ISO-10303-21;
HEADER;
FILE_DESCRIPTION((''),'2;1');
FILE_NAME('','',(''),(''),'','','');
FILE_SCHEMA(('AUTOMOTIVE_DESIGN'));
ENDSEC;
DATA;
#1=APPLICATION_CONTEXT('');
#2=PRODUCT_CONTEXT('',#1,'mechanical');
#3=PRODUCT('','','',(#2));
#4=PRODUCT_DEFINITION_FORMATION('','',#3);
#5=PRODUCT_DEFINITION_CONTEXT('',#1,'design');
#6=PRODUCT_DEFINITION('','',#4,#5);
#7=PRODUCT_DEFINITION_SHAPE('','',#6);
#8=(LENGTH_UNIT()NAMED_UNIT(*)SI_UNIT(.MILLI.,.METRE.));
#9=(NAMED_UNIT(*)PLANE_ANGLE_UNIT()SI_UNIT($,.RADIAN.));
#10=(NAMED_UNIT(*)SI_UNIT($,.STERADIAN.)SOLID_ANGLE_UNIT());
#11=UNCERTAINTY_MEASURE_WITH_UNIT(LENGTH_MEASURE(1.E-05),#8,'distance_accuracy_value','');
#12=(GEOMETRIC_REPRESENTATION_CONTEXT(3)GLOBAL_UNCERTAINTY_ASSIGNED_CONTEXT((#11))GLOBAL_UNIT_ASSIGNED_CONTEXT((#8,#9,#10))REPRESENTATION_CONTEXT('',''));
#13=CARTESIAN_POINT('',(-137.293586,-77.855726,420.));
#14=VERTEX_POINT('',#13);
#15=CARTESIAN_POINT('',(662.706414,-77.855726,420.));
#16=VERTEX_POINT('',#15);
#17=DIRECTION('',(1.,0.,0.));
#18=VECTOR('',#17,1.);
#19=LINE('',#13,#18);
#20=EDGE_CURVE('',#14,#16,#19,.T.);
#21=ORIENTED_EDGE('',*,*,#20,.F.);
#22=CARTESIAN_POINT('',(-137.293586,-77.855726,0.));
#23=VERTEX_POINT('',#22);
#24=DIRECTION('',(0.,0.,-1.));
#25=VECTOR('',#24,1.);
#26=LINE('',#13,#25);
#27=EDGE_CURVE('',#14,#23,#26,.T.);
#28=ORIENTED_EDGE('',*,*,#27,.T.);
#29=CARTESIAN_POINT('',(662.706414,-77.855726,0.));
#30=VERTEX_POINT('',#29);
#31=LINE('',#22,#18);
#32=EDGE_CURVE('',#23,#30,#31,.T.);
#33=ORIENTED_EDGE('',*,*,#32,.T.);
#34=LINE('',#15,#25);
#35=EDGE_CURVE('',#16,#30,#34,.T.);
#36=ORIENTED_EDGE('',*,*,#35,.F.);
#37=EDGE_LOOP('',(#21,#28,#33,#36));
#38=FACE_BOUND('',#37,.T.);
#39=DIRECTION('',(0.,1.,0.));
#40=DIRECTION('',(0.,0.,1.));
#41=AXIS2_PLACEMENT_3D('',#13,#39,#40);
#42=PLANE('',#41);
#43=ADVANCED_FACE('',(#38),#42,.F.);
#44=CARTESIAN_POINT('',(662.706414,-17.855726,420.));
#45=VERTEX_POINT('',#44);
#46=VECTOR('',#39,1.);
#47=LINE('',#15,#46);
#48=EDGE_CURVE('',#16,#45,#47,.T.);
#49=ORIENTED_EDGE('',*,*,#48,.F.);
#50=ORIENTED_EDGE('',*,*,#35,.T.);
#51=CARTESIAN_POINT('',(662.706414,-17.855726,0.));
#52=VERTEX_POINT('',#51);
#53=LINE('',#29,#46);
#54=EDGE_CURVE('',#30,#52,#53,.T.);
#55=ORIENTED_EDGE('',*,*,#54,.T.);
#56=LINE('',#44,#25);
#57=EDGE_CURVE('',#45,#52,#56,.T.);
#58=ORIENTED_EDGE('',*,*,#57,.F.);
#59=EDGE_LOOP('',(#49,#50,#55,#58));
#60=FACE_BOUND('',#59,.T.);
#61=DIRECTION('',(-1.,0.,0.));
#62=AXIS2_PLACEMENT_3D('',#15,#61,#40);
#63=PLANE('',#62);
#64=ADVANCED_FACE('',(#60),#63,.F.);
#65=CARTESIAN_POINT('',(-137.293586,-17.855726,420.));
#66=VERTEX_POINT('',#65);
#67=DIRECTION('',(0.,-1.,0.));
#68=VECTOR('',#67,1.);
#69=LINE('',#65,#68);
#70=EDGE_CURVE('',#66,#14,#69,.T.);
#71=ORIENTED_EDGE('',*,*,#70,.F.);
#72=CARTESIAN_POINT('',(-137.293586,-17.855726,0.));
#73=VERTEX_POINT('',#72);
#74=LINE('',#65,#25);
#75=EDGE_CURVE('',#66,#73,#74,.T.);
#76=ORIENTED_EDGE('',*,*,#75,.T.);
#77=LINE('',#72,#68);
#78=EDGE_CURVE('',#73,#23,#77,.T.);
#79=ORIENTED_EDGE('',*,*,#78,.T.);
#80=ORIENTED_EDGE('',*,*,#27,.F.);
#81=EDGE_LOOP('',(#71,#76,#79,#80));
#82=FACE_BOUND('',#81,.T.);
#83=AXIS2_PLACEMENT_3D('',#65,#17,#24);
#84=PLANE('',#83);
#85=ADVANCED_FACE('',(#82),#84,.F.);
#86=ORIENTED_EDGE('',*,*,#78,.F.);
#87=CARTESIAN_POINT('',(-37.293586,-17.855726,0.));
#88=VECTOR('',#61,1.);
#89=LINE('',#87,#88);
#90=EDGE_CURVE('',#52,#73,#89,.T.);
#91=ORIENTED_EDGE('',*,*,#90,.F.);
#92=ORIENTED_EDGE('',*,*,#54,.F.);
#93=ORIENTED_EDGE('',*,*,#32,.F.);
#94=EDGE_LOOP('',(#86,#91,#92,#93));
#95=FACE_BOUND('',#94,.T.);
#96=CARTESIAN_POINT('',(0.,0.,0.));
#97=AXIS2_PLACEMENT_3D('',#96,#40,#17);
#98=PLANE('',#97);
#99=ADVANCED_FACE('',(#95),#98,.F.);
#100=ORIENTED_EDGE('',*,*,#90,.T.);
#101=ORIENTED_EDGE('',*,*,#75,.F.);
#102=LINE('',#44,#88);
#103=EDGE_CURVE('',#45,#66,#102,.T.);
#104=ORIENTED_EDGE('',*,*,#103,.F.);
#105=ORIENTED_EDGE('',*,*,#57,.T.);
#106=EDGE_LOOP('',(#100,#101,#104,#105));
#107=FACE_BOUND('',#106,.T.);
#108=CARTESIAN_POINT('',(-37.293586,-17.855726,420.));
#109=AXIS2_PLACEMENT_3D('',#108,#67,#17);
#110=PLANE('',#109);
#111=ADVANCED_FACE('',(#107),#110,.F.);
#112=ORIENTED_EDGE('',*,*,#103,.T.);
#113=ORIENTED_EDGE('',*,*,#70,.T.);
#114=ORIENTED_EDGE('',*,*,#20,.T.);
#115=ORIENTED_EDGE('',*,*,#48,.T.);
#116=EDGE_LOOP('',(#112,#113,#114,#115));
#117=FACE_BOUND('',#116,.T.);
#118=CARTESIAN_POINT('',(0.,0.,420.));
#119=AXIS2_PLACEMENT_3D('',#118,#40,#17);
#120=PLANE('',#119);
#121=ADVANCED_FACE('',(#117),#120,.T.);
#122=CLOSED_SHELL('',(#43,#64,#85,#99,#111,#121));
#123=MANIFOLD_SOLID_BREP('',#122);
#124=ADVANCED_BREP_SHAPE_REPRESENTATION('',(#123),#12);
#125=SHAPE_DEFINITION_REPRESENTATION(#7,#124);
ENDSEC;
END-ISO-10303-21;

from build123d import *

# Parameters (mm, degrees)
BOSS_EXTRUDE1_DEPTH = 420


with BuildPart() as part:
    # Sketch2 → Boss-Extrude1 (new body)
    with BuildSketch(Plane.XY):
        Polygon((-137.293586306, -77.855725677), (662.706413694, -77.855725677), (662.706413694, -17.855725677), (412.706413694, -17.855725677), (362.706413694, -17.855725677), (312.706413694, -17.855725677), (62.706413694, -17.855725677), (12.706413694, -17.855725677), (-37.293586306, -17.855725677), (-137.293586306, -17.855725677), align=None)
    extrude(amount=BOSS_EXTRUDE1_DEPTH)


solid = part.part
